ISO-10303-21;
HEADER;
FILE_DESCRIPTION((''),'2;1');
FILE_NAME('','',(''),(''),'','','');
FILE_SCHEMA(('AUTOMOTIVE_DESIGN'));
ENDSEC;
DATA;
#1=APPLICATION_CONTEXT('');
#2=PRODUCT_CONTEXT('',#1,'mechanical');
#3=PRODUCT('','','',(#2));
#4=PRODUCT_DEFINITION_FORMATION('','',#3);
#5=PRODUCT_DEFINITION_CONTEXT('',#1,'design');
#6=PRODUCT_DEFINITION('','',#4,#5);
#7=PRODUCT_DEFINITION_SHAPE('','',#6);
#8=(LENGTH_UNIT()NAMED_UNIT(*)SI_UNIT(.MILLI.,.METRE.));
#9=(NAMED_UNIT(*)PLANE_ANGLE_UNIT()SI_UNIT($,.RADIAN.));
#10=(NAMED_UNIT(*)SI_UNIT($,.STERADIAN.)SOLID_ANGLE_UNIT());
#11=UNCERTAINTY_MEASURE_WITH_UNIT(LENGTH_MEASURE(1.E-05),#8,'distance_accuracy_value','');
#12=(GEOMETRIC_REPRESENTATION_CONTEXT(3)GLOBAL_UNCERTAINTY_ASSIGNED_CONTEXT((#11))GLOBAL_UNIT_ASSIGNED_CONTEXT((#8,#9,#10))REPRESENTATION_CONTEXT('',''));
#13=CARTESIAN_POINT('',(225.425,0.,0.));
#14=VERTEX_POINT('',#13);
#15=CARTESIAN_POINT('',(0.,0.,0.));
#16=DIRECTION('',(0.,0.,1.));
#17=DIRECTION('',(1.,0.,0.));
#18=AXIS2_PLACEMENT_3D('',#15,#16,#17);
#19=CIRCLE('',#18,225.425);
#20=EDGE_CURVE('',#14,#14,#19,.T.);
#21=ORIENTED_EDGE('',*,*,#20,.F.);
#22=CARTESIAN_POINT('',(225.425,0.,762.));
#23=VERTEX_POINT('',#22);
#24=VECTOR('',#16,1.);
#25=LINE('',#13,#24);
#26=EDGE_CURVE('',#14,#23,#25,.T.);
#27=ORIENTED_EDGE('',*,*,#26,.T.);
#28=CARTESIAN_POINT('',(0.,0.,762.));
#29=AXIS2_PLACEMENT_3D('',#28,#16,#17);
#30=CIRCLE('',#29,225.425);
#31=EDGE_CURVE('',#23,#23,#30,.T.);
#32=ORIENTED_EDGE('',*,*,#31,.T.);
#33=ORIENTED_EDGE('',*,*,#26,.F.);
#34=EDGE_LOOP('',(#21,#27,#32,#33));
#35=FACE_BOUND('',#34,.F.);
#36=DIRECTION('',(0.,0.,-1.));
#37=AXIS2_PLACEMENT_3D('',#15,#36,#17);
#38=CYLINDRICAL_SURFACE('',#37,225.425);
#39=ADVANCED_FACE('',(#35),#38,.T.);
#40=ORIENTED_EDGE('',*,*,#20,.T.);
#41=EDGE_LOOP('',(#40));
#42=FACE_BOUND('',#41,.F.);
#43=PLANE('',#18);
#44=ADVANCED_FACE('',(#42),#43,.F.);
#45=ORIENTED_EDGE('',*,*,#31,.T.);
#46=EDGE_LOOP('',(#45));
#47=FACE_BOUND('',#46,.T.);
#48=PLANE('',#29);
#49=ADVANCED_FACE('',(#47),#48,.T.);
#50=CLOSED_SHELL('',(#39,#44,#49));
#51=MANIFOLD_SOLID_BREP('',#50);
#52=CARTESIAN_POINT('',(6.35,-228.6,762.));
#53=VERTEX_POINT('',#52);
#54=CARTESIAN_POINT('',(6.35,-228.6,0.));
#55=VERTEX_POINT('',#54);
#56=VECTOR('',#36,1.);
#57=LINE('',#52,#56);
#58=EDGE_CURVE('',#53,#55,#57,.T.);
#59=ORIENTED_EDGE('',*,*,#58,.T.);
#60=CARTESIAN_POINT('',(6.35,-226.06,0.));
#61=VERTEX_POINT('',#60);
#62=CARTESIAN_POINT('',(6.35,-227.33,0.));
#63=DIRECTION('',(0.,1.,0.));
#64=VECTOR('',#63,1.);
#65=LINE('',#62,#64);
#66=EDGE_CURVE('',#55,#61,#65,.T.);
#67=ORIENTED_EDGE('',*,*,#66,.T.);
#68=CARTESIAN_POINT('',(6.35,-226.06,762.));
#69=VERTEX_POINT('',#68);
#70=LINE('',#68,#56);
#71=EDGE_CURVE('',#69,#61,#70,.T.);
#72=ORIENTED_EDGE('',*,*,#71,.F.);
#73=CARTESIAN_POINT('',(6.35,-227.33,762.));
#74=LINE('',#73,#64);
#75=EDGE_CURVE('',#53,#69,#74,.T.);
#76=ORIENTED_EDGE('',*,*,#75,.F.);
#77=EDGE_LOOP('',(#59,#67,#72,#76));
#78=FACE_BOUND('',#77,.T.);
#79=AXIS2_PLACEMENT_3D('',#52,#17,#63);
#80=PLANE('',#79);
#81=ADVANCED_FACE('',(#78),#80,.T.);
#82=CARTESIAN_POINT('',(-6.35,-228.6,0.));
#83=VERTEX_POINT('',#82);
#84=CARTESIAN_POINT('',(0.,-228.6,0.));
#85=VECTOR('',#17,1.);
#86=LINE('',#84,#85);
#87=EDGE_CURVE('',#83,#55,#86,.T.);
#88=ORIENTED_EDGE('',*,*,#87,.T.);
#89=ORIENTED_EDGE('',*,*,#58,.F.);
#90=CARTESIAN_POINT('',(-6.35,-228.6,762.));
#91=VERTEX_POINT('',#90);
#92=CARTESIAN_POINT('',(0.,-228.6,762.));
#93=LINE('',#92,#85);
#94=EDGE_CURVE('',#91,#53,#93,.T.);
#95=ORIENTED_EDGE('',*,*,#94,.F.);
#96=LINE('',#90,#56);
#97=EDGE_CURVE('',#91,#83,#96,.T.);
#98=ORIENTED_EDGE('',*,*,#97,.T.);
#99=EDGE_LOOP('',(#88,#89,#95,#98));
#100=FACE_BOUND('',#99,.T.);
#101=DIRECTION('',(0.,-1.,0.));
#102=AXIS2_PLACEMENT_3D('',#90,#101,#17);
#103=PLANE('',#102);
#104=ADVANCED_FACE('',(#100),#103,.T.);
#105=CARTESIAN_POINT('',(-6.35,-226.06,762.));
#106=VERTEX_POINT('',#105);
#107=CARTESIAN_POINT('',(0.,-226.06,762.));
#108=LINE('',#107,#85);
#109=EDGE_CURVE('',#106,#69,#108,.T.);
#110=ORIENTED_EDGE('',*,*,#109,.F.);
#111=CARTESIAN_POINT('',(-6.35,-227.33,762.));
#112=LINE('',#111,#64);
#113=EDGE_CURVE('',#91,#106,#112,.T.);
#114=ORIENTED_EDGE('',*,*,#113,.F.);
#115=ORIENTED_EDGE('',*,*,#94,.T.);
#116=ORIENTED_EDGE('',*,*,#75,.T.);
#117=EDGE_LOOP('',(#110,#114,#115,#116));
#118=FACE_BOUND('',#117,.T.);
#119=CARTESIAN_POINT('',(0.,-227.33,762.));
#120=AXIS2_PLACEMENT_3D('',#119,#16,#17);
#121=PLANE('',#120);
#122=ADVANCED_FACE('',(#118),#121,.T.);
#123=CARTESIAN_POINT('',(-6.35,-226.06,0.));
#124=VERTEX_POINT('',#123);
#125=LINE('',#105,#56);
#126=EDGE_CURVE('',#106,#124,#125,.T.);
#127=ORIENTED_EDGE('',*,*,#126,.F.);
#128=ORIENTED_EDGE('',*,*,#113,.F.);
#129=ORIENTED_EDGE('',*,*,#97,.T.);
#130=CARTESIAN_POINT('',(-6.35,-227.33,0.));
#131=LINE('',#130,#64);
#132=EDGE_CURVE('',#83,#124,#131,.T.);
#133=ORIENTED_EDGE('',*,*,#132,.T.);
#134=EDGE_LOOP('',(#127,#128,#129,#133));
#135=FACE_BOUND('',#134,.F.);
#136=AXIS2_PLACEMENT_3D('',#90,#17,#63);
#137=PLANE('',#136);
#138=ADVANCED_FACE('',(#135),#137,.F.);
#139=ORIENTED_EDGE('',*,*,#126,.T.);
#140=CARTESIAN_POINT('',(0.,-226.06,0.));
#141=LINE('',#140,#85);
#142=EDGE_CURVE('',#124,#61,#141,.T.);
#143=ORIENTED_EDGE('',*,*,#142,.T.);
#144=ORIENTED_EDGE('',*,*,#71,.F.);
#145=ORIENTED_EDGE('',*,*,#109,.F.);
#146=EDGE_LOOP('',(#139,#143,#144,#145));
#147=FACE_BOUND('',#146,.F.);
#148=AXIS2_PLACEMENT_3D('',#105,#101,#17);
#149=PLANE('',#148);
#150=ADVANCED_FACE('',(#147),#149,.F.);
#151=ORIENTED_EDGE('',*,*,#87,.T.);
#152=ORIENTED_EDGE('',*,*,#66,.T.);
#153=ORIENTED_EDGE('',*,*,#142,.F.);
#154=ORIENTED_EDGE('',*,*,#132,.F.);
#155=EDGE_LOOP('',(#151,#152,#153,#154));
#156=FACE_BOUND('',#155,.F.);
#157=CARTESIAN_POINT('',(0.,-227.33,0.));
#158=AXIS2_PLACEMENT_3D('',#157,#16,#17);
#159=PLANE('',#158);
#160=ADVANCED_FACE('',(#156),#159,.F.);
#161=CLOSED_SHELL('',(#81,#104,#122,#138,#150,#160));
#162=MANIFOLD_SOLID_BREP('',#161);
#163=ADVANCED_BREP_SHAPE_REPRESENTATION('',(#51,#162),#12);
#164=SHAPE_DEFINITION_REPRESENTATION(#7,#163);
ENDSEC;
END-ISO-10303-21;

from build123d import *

# Parameters (mm, degrees)
F0_R     = 225.425
F1_DEPTH = 762
F2_W     = 12.7
F2_H     = 2.54
F3_DEPTH = 762


with BuildPart() as f1:
    # F0 (on Top) → F1 (new body)
    with BuildSketch(Plane.XY):
        Circle(F0_R)
    extrude(amount=F1_DEPTH)


with BuildPart() as f3:
    # F2 (on face) → F3 (new body)
    with BuildSketch(Plane.XY.offset(762)):
        with Locations((0, -227.33)):
            Rectangle(F2_W, F2_H)
    extrude(amount=-F3_DEPTH)


solid = Compound([f1.part, f3.part])
